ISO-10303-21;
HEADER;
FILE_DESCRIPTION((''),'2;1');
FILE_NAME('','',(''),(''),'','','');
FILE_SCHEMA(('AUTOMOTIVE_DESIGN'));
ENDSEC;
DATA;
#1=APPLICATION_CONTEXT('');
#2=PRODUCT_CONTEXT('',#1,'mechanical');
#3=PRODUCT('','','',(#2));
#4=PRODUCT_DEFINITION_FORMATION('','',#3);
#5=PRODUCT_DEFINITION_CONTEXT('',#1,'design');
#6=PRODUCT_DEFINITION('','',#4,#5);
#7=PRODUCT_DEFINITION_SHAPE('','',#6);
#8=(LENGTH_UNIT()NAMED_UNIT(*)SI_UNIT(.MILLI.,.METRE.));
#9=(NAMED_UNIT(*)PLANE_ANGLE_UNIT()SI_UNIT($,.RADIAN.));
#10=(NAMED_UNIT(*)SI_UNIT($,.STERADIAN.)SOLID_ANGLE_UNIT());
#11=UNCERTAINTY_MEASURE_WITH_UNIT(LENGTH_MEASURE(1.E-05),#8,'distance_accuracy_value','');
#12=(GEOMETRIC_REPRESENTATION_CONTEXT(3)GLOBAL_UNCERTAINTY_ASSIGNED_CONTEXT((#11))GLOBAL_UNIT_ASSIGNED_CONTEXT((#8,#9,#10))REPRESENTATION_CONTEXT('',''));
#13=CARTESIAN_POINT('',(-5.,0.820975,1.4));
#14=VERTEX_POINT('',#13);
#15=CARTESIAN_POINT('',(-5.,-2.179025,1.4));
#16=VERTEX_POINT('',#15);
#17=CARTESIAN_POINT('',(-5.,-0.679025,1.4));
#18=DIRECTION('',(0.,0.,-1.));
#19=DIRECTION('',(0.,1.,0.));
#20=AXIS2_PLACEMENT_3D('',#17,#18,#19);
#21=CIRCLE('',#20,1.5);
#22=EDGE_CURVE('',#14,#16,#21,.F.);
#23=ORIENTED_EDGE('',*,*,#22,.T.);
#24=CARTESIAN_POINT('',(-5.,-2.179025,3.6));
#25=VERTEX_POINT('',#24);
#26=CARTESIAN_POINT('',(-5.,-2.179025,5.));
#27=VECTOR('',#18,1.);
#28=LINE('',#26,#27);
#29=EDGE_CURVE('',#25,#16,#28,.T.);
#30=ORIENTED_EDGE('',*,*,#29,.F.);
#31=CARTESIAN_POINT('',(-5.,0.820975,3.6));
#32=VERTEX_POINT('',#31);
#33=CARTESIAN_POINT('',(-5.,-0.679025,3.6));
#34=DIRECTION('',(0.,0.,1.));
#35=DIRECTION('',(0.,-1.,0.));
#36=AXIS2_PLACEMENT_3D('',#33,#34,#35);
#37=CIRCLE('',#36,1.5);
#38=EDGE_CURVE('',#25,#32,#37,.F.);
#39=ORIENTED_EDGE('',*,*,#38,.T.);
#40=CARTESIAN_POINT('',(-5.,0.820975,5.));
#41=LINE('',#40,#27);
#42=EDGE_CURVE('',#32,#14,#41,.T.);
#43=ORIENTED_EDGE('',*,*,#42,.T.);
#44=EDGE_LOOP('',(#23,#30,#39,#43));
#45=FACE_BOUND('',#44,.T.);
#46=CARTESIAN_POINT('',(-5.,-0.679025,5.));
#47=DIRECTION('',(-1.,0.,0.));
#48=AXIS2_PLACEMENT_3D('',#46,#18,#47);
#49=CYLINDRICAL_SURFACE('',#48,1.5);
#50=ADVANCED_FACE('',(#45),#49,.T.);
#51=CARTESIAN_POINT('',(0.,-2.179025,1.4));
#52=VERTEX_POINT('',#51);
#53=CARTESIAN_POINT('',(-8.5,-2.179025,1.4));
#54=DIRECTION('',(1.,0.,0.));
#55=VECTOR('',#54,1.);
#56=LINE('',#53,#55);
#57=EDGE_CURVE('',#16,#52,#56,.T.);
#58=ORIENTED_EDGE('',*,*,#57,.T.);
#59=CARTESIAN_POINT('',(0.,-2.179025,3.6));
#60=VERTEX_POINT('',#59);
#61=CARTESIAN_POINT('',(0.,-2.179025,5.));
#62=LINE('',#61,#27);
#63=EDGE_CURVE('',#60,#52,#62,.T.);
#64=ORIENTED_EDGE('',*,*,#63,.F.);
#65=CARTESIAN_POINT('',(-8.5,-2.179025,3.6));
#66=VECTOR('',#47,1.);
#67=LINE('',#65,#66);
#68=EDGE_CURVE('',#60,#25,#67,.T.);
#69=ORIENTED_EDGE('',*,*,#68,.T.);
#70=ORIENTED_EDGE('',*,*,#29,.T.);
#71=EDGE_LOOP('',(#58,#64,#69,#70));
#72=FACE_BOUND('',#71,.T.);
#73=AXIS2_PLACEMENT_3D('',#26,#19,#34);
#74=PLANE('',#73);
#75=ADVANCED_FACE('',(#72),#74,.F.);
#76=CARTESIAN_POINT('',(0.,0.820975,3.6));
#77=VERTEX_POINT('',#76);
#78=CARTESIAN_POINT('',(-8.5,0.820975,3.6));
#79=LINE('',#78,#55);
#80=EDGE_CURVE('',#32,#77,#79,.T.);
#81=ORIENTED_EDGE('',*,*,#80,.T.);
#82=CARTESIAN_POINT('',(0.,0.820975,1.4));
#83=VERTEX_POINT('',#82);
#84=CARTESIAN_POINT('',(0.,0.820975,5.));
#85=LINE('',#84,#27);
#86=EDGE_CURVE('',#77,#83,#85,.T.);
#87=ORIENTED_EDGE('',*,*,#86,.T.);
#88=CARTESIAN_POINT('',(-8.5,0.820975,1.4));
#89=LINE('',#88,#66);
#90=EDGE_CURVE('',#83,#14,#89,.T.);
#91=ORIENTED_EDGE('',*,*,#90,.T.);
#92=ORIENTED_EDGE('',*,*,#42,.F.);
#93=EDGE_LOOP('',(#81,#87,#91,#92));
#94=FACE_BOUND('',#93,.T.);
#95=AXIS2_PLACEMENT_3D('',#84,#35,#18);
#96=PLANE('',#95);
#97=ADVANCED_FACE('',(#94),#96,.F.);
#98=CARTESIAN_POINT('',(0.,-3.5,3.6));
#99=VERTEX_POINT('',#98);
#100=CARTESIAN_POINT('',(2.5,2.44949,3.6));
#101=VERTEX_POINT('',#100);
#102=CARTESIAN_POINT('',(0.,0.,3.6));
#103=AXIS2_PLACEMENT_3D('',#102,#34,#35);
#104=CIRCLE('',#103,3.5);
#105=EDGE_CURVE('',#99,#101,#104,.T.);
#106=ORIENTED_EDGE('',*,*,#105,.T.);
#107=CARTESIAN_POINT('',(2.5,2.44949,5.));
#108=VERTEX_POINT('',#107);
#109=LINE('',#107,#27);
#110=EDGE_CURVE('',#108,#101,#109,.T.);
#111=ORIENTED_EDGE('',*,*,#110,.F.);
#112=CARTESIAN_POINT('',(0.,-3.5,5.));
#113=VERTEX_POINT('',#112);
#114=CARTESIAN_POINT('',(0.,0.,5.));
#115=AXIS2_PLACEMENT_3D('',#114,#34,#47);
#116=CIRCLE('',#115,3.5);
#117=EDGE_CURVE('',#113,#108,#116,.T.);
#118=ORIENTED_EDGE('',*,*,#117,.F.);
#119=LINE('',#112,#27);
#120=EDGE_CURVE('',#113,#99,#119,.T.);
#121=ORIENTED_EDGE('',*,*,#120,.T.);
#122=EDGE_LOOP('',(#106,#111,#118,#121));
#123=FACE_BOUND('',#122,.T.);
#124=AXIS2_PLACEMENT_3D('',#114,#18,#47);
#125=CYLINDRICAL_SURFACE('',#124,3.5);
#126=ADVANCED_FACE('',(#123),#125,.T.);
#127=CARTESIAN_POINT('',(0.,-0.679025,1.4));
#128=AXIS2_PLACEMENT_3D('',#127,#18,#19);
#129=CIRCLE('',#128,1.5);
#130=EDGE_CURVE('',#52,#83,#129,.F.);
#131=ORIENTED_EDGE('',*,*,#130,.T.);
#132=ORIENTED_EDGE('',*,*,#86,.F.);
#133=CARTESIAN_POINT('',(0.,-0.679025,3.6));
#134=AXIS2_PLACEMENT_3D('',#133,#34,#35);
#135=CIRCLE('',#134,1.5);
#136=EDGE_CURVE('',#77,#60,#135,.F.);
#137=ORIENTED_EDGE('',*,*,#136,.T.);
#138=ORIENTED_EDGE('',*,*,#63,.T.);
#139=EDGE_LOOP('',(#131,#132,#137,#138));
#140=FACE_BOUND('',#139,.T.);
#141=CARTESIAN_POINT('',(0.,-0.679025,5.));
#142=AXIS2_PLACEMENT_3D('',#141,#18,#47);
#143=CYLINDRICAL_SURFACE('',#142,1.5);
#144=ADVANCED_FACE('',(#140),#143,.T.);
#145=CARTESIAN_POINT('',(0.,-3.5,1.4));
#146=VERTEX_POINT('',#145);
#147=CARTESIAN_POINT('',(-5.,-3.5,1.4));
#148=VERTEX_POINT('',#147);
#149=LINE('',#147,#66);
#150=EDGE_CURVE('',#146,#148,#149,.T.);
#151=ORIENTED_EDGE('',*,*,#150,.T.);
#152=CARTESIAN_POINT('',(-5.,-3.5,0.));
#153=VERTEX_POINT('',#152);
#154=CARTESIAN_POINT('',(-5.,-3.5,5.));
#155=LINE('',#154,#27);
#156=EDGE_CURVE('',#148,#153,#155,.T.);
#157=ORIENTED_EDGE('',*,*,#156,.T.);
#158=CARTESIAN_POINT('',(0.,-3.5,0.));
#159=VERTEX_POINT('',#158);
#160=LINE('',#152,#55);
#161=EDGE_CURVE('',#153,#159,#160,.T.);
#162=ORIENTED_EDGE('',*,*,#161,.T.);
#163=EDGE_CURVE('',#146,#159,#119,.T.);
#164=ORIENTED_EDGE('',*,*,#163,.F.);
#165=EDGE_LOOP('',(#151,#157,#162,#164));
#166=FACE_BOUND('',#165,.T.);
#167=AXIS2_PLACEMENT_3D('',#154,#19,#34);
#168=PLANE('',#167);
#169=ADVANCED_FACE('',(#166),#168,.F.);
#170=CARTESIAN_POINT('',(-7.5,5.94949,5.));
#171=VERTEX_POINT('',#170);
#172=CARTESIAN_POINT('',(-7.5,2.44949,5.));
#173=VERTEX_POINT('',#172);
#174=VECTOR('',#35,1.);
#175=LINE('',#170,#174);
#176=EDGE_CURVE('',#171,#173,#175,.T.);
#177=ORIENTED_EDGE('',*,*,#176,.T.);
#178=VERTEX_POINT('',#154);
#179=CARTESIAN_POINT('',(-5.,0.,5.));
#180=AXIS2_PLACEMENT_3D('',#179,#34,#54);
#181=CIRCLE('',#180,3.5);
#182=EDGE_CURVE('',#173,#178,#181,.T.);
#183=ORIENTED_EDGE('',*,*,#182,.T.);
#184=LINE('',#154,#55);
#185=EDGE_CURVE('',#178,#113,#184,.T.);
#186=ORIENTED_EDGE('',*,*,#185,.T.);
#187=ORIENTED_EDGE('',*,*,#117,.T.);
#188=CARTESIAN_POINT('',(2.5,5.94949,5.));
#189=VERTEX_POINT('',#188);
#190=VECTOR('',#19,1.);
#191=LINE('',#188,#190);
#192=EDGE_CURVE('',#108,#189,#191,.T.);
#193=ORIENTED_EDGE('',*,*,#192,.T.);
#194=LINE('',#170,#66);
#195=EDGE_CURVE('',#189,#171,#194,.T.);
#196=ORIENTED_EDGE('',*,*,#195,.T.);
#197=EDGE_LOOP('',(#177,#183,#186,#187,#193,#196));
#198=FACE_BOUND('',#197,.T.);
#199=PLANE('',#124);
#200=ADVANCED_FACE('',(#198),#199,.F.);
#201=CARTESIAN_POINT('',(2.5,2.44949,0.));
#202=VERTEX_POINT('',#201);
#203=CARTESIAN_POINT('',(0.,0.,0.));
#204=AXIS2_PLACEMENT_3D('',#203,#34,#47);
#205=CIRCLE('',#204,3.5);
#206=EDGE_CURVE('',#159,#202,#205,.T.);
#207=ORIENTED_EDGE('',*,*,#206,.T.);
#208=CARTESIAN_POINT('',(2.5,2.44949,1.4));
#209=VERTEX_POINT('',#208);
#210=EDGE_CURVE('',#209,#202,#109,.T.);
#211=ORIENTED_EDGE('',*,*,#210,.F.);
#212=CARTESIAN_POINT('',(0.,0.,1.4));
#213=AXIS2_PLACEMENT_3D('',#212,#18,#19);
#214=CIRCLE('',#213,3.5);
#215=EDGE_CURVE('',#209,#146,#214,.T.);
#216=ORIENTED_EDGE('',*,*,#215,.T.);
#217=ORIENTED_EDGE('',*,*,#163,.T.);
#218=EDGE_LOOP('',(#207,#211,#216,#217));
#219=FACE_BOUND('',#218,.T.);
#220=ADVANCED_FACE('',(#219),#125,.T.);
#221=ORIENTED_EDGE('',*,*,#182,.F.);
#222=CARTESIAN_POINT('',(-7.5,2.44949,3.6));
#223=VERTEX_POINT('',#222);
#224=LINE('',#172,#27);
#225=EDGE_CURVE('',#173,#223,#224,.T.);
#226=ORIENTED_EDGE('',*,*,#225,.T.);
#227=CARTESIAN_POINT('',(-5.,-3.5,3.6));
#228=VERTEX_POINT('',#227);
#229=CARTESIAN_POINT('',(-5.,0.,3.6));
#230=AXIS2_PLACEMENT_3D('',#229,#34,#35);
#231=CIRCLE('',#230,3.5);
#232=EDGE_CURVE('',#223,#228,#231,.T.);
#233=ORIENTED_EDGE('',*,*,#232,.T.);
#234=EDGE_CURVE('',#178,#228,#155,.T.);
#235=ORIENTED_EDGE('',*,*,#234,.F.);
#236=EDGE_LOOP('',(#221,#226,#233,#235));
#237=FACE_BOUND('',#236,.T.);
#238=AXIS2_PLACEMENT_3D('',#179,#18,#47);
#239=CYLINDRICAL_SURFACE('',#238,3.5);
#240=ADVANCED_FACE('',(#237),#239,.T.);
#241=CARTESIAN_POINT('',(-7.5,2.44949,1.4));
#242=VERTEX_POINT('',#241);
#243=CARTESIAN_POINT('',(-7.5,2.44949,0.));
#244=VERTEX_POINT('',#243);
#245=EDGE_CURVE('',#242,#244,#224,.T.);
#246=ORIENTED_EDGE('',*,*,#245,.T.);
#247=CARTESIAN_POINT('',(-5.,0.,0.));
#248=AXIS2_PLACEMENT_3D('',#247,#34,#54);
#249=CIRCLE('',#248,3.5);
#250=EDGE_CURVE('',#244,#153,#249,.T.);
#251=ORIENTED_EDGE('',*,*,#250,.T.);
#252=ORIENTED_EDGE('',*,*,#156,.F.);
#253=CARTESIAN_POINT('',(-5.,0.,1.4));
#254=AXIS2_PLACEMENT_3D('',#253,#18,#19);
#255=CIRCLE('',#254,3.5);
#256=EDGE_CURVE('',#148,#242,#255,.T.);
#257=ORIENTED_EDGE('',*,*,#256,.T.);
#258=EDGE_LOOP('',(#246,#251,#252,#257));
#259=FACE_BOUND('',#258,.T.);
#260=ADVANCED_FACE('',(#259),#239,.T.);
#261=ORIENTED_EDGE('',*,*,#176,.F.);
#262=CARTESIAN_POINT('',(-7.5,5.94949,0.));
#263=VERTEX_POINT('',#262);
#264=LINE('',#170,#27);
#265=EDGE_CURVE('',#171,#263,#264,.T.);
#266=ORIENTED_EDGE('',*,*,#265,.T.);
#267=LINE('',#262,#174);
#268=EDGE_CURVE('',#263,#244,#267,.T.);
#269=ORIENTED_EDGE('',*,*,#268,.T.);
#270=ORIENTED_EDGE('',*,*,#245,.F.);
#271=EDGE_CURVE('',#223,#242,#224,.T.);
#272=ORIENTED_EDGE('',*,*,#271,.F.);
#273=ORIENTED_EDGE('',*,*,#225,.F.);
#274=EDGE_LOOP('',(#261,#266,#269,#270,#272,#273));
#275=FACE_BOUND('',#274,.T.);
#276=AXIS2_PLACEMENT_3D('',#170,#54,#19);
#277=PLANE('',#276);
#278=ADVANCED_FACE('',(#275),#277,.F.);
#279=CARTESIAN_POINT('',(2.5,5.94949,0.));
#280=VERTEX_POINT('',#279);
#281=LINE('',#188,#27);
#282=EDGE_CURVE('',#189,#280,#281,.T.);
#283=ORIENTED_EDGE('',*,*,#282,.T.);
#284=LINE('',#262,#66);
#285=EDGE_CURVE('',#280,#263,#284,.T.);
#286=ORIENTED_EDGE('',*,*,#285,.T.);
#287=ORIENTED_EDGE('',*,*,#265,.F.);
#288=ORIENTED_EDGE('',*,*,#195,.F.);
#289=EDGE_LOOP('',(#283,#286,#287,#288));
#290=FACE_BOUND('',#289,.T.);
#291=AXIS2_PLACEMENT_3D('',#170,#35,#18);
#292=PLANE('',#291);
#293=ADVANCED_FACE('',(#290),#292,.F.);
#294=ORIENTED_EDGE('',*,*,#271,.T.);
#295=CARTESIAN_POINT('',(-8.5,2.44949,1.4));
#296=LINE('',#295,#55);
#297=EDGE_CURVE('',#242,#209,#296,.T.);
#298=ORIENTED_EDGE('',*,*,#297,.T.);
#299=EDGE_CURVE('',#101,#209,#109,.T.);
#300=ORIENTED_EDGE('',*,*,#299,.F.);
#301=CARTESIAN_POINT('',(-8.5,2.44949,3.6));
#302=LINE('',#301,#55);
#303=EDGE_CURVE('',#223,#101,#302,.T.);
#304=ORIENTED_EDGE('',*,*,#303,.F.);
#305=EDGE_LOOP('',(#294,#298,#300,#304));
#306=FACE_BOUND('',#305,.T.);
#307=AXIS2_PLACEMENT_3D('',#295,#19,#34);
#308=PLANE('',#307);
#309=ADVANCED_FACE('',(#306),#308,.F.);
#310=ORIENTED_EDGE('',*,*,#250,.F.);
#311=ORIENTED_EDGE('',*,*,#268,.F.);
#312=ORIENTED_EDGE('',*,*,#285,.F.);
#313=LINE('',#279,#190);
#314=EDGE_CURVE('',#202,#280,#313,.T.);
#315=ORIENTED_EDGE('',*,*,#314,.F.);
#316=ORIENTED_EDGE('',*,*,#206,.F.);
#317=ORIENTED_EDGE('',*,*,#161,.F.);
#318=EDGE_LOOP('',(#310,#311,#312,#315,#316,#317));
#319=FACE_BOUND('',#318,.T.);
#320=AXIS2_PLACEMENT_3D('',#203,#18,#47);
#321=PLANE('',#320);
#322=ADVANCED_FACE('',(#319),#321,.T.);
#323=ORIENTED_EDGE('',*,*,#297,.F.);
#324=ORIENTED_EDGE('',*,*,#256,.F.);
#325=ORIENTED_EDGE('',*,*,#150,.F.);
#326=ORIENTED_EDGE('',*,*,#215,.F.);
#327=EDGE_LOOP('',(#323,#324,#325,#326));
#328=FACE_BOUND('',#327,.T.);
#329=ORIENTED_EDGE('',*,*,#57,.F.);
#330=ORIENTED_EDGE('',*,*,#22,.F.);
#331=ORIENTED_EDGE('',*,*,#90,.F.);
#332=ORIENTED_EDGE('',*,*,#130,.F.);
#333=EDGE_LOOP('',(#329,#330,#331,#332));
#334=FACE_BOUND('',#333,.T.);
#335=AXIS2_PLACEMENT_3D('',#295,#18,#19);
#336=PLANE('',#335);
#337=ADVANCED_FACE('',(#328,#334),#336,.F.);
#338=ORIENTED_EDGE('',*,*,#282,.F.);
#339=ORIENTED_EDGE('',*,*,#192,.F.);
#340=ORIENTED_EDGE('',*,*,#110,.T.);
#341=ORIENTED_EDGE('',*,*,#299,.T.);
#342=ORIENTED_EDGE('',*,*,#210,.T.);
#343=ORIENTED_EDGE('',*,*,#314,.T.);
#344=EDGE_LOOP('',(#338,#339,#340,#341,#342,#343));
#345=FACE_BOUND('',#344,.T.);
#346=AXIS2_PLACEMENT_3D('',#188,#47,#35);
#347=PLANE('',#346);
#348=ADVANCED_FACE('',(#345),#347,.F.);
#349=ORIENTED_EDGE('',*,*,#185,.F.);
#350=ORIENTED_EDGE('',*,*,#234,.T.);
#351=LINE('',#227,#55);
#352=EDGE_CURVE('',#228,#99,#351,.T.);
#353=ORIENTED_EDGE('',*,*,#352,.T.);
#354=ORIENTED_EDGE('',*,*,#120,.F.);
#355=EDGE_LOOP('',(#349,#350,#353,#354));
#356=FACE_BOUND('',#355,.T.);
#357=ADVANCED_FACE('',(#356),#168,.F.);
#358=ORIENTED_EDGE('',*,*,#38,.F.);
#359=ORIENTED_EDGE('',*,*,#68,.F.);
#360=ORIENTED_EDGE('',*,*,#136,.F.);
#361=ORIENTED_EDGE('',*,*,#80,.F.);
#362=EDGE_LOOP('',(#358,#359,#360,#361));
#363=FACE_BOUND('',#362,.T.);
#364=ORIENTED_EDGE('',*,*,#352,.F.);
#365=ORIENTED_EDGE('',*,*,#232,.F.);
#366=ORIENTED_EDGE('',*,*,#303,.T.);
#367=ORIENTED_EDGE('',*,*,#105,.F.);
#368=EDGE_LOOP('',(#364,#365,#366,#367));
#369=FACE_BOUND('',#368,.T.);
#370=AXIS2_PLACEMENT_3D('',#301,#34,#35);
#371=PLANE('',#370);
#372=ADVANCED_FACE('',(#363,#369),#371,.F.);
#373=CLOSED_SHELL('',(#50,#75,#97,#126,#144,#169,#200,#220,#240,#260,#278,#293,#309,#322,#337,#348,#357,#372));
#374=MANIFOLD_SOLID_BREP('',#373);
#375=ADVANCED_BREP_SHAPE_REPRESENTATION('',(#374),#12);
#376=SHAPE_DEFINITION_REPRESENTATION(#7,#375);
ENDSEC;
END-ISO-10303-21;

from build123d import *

# Parameters (mm, degrees)
BOSS_EXTRUDE1_DEPTH     = 5
CUT_EXTRUDE1_DEPTH      = 12.517223111
CUT_EXTRUDE1_DEPTH_BACK = 12.517223111
SKETCH2_W               = 2.2
SKETCH2_H               = 5.949489743
BOSS_EXTRUDE2_DEPTH     = 5


with BuildPart() as part:
    # Sketch1 → Boss-Extrude1 (new body)
    with BuildSketch(Plane.XY):
        with BuildLine():
            Line((-7.5, 5.949489743), (2.5, 5.949489743))
            Line((2.5, 5.949489743), (2.5, 2.449489743))
            ThreePointArc((2.5, 2.449489743), (3.226702194, -1.355873501), (0, -3.5))
            Line((0, -3.5), (-5, -3.5))
            ThreePointArc((-5, -3.5), (-8.226702194, -1.355873501), (-7.5, 2.449489743))
            Line((-7.5, 2.449489743), (-7.5, 5.949489743))
        make_face()
    extrude(amount=BOSS_EXTRUDE1_DEPTH)

    # Sketch2 → Cut-Extrude1 (cut, two sides: drawn at the far end of the back side and taken through both)
    with BuildSketch(Plane(origin=(0, 0, 0), x_dir=(0, 0, -1), z_dir=(1, 0, 0)).offset(-CUT_EXTRUDE1_DEPTH_BACK)):
        with Locations((-2.5, -0.525255129)):
            Rectangle(SKETCH2_W, SKETCH2_H)
    extrude(amount=CUT_EXTRUDE1_DEPTH + CUT_EXTRUDE1_DEPTH_BACK, mode=Mode.SUBTRACT)

    # Sketch3 → Boss-Extrude2 (add)
    with BuildSketch(Plane.XY):
        with BuildLine():
            Line((-5, -2.179025152), (0, -2.179025152))
            ThreePointArc((0, -2.179025152), (1.5, -0.679025152), (0, 0.820974848))
            Line((0, 0.820974848), (-5, 0.820974848))
            ThreePointArc((-5, 0.820974848), (-6.5, -0.679025152), (-5, -2.179025152))
        make_face()
    extrude(amount=BOSS_EXTRUDE2_DEPTH)


solid = part.part
